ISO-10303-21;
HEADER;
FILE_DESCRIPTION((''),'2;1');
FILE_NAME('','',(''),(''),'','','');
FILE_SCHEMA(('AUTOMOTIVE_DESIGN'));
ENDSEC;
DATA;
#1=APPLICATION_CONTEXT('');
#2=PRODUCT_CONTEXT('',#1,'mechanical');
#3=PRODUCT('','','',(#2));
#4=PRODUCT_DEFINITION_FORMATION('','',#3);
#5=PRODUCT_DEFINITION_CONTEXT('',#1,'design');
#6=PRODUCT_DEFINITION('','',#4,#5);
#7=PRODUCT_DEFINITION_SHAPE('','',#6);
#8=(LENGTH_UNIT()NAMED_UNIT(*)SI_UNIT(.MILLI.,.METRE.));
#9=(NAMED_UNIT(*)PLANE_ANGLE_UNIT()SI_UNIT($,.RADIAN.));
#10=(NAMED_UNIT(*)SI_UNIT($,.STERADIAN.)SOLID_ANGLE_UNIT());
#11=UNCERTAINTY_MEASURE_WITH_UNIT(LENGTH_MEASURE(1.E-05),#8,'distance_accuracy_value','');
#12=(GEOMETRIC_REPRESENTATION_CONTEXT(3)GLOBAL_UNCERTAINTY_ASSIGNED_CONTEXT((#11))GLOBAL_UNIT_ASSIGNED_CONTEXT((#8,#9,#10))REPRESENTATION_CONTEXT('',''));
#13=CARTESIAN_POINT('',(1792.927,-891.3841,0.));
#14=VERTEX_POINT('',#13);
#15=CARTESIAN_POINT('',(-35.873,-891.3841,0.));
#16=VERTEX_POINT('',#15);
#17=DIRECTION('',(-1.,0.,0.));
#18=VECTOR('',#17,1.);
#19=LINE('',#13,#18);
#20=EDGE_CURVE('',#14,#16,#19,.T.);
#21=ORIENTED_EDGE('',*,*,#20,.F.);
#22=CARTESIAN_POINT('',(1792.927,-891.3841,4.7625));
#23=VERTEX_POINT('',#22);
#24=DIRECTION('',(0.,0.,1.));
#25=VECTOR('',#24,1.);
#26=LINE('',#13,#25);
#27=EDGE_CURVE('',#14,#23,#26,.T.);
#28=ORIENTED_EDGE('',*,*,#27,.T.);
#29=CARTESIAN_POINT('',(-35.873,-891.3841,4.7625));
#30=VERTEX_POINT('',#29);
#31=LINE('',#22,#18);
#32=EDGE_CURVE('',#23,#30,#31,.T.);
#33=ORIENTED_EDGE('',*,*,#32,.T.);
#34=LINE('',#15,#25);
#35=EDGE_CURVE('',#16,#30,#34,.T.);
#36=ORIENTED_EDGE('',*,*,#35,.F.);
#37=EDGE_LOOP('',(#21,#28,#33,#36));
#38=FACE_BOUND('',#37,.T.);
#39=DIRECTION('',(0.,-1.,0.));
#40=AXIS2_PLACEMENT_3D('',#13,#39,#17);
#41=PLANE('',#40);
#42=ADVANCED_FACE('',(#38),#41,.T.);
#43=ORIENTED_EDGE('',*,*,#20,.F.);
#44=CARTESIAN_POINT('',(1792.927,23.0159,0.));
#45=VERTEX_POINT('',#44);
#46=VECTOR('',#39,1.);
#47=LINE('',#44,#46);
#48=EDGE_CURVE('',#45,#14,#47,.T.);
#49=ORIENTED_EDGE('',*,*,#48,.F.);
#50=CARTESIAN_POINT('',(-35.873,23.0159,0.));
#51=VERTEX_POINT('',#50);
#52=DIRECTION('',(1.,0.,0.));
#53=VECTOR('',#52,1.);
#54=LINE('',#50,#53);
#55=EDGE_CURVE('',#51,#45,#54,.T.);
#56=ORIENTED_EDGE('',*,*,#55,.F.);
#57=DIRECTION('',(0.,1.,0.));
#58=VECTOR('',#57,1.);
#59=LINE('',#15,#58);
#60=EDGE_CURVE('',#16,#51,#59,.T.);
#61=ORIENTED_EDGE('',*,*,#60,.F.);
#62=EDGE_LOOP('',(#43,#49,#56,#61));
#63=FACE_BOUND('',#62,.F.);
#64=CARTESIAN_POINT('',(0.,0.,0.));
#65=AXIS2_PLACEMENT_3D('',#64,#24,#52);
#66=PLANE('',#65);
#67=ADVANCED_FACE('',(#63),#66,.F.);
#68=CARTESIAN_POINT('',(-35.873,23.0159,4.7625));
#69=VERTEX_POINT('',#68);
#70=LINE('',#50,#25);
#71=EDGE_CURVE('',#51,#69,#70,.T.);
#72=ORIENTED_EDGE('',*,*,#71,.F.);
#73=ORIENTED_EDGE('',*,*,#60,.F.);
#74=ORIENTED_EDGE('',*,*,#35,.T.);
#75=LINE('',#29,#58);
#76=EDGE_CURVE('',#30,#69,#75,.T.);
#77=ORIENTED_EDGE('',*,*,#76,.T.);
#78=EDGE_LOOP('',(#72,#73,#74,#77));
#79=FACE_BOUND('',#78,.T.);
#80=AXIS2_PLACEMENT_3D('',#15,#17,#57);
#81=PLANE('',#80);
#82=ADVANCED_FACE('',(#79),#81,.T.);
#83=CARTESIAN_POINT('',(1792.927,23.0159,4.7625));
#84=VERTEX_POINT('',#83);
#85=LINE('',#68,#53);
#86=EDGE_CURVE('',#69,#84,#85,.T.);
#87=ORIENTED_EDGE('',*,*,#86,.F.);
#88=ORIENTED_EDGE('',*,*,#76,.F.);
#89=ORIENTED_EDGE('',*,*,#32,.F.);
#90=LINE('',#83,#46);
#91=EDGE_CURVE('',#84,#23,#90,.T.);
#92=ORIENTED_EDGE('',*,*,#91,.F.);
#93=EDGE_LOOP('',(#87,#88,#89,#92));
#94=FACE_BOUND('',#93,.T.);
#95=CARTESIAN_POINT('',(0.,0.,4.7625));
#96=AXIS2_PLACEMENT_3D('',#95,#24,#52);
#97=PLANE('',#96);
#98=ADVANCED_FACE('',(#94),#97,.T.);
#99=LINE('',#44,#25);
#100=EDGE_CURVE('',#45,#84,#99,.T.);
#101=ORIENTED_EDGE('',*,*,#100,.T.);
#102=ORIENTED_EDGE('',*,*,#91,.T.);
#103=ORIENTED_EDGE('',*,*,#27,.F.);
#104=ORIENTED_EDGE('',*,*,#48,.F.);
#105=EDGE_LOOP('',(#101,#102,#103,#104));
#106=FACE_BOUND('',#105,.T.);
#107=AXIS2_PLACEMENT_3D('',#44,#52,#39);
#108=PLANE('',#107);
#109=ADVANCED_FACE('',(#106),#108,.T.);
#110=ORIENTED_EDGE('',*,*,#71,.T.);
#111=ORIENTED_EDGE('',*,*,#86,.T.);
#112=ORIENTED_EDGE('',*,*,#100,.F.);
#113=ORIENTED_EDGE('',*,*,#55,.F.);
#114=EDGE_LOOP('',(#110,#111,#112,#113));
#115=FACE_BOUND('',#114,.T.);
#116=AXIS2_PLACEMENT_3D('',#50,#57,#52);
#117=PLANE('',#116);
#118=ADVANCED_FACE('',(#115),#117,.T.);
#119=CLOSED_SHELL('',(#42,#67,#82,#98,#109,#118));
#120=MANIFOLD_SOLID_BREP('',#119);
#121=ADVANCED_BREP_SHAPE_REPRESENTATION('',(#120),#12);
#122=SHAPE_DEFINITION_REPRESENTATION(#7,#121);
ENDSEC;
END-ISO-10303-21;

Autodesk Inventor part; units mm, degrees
ref_plane "YZ Plane" through (0, 0, 0) normal (1, 0, 0) x (0, 1, 0)
ref_plane "XZ Plane" through (0, 0, 0) normal (0, 1, 0) x (-1, 0, 0)
sketch "Sketch1" plane through (0, 0, 0) normal (0, 0, 1) x (1, 0, 0)
  line L0 (-35.873, 23.0159) -> (1792.927, 23.0159)
  line L1 (1792.927, 23.0159) -> (1792.927, -891.3841)
  line L2 (1792.927, -891.3841) -> (-35.873, -891.3841)
  line L3 (-35.873, -891.3841) -> (-35.873, 23.0159)
  dimension "d0" = 1828.8
  dimension "d1" = 914.4
extrude "Extrusion1" add sketch "Sketch1" along normal blind 4.7625
ref_plane "Work Plane1" through (0, 0, 6.0325) normal (0, 0, 1) x (1, 0, 0)
properties part number "FE-00004-01"
